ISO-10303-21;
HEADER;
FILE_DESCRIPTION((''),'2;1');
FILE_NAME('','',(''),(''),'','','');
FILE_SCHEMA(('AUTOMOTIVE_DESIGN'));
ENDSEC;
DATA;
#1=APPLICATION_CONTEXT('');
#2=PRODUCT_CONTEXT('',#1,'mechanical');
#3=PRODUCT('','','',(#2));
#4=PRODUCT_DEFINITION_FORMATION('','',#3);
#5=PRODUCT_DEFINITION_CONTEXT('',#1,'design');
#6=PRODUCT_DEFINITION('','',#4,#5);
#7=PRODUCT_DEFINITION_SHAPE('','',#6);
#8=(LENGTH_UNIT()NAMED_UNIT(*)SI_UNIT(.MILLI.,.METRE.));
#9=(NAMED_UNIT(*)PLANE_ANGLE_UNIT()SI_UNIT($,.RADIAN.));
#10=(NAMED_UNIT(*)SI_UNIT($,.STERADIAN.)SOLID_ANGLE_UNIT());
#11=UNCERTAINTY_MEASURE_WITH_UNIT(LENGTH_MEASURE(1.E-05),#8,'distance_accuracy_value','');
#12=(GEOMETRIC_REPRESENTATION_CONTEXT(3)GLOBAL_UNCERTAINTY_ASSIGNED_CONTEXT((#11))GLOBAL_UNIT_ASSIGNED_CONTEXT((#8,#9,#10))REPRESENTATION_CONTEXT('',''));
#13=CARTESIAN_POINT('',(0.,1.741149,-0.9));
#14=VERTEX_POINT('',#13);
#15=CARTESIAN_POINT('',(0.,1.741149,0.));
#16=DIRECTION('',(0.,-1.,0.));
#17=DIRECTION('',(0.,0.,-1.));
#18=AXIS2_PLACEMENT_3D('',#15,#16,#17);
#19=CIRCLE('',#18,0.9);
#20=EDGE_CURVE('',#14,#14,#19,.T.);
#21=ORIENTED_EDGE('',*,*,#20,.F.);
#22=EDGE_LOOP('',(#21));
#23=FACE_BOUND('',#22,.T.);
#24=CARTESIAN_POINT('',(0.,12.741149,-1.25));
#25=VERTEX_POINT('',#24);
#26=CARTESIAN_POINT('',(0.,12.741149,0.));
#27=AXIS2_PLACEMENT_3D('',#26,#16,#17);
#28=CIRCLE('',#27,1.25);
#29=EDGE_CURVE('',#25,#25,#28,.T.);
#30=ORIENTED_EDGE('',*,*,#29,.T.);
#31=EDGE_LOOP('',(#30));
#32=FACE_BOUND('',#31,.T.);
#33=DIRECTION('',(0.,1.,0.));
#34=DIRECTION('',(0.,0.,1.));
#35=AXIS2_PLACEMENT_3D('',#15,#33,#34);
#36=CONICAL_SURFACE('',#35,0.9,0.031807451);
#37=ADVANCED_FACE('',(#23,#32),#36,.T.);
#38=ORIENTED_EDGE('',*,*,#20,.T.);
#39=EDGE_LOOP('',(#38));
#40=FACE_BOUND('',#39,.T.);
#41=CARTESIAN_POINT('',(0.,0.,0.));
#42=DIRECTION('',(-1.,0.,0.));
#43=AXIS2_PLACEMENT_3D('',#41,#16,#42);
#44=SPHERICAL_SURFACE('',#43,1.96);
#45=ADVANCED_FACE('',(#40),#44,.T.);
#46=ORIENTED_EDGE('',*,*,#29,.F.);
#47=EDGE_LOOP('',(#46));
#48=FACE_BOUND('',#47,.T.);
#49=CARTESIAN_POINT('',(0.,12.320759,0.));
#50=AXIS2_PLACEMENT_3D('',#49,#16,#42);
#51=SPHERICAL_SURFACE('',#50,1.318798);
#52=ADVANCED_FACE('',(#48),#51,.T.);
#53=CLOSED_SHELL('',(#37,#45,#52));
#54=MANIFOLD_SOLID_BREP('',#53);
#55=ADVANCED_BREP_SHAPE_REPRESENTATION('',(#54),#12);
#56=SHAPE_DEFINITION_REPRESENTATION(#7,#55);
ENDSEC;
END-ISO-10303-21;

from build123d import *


with BuildPart() as part:
    # Sketch1 → Revolve1 (revolve)
    with BuildSketch(Plane.XY):
        with BuildLine():
            Line((-1.25, 12.741149046), (-0.9, 1.741149046))
            ThreePointArc((-0.9, 1.741149046), (-1.904501527, -0.463113307), (0, -1.96))
            Line((0, -1.96), (0, 13.639556939))
            ThreePointArc((0, 13.639556939), (-0.769681223, 13.391655241), (-1.25, 12.741149046))
        make_face()
    revolve(axis=Axis((0, 1.96, 0), (0, 1, 0)))


solid = part.part
